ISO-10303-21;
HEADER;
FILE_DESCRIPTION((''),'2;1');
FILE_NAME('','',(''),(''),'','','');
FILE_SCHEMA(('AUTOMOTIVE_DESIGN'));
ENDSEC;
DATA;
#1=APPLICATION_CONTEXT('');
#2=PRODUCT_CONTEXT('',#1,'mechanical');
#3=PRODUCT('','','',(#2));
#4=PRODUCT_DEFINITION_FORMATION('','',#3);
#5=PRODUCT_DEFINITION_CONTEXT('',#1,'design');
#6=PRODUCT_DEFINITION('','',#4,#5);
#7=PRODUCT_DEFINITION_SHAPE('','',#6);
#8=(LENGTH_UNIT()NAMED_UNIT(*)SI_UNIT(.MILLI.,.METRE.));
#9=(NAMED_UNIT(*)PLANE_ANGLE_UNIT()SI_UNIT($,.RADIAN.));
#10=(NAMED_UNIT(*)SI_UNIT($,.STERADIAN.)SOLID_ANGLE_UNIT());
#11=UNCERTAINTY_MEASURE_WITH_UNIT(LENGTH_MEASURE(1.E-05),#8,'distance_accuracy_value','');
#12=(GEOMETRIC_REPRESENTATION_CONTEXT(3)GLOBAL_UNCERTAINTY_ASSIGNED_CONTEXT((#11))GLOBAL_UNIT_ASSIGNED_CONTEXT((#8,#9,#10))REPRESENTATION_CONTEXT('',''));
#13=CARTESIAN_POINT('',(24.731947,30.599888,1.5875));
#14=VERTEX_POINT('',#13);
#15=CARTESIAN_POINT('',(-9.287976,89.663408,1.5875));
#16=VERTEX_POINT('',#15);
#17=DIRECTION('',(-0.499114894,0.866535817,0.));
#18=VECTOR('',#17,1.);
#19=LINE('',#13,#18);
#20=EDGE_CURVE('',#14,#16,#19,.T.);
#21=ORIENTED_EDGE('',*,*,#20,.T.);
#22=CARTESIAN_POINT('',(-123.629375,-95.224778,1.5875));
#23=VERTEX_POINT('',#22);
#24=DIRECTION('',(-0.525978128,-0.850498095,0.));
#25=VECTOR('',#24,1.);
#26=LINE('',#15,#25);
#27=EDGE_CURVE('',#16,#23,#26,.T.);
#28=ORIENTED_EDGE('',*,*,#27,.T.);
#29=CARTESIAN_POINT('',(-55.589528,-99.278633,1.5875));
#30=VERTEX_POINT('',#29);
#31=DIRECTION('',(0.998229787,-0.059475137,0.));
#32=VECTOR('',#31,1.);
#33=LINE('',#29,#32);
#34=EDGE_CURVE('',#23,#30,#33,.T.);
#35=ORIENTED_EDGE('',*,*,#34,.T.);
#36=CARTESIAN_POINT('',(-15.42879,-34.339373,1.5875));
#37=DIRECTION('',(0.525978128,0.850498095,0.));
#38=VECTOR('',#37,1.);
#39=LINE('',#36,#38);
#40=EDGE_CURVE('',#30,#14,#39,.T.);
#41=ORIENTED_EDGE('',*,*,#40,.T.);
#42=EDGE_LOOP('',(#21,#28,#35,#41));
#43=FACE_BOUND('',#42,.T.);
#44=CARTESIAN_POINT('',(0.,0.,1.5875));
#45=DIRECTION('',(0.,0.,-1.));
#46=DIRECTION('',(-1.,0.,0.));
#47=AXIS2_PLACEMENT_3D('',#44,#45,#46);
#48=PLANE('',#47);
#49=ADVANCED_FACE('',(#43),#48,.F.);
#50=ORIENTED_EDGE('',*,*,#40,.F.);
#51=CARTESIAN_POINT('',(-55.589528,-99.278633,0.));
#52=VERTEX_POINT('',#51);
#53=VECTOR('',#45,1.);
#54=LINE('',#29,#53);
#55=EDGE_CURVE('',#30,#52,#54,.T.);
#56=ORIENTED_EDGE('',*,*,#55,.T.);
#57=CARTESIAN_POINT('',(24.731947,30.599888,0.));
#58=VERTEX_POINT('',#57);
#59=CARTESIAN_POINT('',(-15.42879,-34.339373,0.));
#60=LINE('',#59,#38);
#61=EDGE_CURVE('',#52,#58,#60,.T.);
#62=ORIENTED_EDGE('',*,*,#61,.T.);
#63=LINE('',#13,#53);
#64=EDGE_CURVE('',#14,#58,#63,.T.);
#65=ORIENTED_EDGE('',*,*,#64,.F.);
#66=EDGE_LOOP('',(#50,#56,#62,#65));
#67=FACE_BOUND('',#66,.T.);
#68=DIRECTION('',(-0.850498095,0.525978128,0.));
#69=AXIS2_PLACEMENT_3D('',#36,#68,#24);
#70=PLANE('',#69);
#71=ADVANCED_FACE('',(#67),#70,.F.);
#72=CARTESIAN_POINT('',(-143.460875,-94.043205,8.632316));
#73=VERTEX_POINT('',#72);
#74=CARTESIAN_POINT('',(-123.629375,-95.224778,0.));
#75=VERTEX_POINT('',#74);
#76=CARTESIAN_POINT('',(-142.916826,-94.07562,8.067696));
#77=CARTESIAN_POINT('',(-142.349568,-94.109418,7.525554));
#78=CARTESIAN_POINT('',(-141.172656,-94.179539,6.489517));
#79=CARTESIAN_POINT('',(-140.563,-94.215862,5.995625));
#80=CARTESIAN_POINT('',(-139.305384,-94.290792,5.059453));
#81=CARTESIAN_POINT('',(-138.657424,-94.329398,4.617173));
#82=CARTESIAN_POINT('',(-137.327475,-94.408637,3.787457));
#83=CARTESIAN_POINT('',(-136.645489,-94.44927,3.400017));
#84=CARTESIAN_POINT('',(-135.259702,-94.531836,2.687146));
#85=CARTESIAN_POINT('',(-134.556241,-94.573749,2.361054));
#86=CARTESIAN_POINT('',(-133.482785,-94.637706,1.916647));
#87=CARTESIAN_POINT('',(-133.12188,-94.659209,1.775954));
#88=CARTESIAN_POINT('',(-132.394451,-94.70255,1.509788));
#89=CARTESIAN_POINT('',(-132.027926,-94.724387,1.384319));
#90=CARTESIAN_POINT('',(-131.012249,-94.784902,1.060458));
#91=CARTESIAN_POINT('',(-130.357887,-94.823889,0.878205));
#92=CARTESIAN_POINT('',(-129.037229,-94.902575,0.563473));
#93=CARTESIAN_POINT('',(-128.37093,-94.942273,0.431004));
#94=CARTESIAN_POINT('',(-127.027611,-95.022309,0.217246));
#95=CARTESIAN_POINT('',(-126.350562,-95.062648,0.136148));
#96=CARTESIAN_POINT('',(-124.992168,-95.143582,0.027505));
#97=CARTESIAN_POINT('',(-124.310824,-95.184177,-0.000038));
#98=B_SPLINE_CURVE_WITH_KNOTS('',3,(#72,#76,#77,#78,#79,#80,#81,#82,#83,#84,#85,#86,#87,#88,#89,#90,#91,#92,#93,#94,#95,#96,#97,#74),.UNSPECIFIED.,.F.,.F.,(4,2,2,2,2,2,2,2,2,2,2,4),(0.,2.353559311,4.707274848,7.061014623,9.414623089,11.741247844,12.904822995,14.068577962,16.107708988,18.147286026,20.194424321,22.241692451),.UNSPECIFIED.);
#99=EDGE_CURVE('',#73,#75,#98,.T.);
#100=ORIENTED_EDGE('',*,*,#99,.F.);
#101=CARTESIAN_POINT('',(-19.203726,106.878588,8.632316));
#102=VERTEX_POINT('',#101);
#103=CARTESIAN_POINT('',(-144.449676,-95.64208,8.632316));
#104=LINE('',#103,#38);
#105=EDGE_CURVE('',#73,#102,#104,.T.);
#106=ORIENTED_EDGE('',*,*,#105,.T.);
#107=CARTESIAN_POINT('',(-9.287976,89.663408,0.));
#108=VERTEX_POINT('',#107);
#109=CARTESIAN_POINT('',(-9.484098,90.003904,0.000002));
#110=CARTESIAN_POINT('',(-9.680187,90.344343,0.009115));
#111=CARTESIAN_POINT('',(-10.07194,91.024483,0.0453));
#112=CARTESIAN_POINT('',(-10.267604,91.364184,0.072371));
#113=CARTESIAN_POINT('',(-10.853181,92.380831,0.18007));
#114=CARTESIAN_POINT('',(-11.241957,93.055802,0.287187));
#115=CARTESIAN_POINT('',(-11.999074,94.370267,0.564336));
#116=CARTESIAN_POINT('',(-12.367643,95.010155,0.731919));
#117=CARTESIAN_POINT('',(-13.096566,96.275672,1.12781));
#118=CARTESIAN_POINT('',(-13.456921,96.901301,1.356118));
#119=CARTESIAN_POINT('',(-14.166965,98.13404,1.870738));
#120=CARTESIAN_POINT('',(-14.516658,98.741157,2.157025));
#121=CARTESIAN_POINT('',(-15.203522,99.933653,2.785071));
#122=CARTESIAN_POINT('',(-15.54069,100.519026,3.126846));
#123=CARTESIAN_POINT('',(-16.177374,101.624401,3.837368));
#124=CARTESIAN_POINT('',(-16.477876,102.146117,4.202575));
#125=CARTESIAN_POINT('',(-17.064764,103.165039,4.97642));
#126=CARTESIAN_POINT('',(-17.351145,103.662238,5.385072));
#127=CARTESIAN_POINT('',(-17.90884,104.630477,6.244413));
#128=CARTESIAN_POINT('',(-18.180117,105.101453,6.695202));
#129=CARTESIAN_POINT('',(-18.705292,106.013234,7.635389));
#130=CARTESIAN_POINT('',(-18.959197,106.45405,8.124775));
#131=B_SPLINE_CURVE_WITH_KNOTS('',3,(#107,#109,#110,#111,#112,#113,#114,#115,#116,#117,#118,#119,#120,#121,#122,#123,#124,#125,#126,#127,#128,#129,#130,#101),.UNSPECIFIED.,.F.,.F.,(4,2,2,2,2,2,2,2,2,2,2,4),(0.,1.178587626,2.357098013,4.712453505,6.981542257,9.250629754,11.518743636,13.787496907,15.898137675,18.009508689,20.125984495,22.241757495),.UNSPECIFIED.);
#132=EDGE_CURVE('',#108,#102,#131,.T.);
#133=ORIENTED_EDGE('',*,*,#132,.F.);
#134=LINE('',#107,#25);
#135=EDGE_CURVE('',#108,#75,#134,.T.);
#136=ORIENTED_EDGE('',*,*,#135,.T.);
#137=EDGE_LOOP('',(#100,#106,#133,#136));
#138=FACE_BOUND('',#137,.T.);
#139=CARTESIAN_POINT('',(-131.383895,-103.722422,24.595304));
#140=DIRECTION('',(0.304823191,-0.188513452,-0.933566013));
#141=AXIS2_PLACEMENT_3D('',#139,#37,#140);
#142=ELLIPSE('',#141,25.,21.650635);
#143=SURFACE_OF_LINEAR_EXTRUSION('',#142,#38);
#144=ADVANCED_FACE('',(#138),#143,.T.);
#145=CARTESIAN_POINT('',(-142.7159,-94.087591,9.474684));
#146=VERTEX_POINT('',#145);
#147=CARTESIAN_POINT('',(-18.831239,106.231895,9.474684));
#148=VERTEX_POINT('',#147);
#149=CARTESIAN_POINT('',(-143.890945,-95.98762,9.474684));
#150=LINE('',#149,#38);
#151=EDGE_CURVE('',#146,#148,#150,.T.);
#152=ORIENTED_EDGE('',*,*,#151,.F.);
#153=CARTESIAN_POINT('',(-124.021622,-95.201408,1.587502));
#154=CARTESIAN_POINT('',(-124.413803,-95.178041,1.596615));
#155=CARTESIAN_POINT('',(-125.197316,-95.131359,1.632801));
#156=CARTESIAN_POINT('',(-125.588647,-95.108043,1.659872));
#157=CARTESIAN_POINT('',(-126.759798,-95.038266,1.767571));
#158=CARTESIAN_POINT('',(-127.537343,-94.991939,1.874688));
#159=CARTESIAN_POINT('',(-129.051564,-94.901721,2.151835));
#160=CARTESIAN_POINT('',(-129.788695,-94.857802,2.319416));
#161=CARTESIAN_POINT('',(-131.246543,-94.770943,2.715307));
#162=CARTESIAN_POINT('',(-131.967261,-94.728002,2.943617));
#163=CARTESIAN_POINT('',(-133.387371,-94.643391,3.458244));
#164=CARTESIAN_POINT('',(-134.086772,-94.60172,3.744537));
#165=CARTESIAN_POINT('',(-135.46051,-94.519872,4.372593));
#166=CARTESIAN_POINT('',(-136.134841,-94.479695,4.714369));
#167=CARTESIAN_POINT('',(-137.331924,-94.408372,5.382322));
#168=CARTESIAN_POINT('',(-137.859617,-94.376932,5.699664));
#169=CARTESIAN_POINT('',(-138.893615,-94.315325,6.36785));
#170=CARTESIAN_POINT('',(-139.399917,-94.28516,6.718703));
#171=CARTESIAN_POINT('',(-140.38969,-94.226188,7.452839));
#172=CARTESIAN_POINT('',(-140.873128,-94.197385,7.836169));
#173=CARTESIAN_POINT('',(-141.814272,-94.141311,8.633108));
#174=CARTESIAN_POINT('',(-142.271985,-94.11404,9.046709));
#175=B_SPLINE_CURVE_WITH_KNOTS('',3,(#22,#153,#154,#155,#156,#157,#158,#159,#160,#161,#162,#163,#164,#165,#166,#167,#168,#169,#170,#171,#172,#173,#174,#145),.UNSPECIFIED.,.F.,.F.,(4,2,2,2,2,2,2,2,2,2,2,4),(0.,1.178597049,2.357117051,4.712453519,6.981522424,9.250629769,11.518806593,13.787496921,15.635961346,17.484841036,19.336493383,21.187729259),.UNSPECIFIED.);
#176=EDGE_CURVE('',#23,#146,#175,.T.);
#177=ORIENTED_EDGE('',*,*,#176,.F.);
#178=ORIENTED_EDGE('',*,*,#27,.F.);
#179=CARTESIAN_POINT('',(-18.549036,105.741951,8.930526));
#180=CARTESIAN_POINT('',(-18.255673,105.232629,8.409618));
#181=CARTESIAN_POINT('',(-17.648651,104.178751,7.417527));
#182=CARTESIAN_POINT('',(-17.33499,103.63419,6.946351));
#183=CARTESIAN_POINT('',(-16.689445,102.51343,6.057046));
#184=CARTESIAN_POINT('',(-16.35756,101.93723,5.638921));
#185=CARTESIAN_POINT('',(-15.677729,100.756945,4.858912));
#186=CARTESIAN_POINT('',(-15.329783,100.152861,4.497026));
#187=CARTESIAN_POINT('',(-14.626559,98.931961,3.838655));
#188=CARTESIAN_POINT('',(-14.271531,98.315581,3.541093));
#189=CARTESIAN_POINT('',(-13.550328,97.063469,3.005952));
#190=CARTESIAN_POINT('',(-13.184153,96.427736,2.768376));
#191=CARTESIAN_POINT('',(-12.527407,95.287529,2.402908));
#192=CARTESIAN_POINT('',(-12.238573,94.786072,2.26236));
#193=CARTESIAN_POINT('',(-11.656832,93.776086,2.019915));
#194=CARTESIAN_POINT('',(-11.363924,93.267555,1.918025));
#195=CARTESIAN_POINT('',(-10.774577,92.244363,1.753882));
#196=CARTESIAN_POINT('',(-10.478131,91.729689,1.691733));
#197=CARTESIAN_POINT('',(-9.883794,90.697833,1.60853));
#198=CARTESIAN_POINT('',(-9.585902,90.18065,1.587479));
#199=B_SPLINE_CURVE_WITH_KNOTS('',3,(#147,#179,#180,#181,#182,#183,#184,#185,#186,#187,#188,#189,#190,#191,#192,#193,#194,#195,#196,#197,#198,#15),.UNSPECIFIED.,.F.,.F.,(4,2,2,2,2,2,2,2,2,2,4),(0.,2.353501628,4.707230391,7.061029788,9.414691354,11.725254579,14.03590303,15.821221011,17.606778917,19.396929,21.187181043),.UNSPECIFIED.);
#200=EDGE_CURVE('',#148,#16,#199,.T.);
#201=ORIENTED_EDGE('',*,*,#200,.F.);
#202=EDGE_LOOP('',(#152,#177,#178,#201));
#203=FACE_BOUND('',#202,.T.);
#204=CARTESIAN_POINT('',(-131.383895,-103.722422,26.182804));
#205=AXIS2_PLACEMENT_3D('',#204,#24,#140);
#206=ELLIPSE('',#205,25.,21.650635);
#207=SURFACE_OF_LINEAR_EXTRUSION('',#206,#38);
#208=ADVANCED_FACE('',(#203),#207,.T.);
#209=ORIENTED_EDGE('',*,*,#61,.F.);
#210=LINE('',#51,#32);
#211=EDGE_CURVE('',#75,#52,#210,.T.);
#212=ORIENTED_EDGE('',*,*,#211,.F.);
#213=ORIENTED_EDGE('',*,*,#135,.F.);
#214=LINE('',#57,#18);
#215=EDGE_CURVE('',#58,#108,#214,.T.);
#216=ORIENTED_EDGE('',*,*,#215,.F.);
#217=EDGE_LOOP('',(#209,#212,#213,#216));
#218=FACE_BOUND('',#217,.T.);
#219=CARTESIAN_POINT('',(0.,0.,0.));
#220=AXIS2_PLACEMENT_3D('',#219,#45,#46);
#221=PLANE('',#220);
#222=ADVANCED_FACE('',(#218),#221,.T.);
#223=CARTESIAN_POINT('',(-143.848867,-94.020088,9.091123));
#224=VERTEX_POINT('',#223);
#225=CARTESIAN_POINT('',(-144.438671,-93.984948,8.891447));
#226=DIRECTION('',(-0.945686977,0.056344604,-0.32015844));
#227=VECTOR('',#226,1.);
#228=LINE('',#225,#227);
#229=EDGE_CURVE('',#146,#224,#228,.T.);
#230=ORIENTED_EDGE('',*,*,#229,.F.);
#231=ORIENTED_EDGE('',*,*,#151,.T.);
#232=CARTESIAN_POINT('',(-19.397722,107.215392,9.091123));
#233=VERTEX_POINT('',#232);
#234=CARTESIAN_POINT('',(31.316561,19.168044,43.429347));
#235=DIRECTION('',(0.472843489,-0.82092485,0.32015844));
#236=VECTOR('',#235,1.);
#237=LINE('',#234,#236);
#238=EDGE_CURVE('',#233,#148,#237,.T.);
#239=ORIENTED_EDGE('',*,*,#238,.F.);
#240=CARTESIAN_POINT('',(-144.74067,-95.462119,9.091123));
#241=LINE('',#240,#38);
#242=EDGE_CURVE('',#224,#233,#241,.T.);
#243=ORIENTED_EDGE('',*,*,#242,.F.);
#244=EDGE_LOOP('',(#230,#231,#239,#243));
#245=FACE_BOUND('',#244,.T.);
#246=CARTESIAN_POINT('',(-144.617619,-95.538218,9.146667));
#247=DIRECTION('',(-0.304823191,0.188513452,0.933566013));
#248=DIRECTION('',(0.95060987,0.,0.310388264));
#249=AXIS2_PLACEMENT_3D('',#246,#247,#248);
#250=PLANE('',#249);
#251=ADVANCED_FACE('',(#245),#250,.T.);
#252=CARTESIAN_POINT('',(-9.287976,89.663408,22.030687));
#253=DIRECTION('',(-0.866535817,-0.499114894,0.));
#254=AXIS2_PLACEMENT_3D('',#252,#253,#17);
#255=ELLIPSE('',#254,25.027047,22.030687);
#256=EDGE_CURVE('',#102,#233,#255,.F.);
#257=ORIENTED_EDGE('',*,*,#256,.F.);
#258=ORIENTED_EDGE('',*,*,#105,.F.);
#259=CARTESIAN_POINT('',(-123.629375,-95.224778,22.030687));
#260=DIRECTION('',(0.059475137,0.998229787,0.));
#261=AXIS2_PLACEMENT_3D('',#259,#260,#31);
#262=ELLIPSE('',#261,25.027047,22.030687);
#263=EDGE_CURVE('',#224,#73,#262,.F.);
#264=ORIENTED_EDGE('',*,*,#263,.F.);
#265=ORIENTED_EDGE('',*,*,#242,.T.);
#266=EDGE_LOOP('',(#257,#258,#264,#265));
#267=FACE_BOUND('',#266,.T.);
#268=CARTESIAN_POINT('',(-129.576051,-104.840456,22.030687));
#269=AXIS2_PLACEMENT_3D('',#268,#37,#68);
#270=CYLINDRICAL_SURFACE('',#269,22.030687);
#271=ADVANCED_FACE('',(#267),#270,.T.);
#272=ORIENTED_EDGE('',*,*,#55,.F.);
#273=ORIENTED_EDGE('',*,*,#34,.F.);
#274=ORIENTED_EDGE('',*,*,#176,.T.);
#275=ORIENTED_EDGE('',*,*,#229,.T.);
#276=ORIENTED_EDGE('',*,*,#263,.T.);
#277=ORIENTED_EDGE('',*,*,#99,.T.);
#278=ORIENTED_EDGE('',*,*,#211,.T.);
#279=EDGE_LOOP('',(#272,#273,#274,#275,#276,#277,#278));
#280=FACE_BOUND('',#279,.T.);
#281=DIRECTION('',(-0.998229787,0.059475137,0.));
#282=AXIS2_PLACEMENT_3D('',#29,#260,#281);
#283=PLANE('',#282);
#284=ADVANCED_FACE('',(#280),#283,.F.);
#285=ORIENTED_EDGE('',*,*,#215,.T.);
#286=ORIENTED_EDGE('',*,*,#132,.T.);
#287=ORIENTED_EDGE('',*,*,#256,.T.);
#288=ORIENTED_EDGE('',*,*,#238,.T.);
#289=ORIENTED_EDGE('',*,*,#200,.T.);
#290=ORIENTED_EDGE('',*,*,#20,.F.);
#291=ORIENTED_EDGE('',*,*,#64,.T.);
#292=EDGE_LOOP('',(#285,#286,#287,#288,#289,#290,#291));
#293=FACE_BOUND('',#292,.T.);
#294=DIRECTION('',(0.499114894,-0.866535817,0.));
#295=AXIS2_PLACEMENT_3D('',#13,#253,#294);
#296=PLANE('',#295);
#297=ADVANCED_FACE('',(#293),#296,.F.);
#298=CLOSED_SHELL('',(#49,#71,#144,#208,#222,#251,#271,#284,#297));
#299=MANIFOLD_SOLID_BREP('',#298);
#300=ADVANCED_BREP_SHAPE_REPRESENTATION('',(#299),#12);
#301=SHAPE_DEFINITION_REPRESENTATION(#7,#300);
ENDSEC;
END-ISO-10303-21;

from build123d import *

# Parameters (mm, degrees)
BOSS_EXTRUDE1_DEPTH      = 1.5875
BOSS_EXTRUDE3_DEPTH      = 120
BOSS_EXTRUDE3_DEPTH_BACK = 120
CUT_EXTRUDE1_DEPTH       = 182.234838864


with BuildPart() as part:
    # Sketch1 → Boss-Extrude1 (new body)
    with BuildSketch(Plane.XY):
        Polygon((-55.589527783, -99.278633486), (-123.629375351, -95.224778061), (-9.287976323, 89.663408039), (24.731947461, 30.599888109), (-15.428790161, -34.339372689), align=None)
    extrude(amount=BOSS_EXTRUDE1_DEPTH)

    # Sketch4 → Boss-Extrude3 (add, two sides: drawn at the far end of the back side and taken through both)
    with BuildSketch(Plane(origin=(-19.629912529, -31.741249903, 0), x_dir=(0.8504980945941722, -0.5259781279594072, 0), z_dir=(0.5259781279594072, 0.8504980945941724, 0)).offset(-BOSS_EXTRUDE3_DEPTH_BACK)):
        with BuildLine():
            Line((-55.060397672, -1.5875), (-55.060397672, 0))
            add(Edge.make_bspline(
                [(-55.060397672, 0), (-65.213115138, 0), (-72.548531989, -8.632316441)],
                knots=[0.320978727, 0.320978727, 0.320978727, 1.185471829, 1.185471829, 1.185471829], degree=2, weights=[1, 0.908026935, 1]))
            ThreePointArc((-72.548531989, -8.632316441), (-72.721094469, -8.860608628), (-72.890676993, -9.091123051))
            Line((-72.890676993, -9.091123051), (-72.745996539, -9.14666735))
            Line((-72.745996539, -9.14666735), (-71.891585739, -9.474684354))
            add(Edge.make_bspline(
                [(-55.060397672, -1.5875), (-64.677105487, -1.5875), (-71.891585739, -9.474684354)],
                knots=[3.462571381, 3.462571381, 3.462571381, 4.286530008, 4.286530008, 4.286530008], degree=2, weights=[1, 0.916330054, 1]))
        make_face()
    extrude(amount=BOSS_EXTRUDE3_DEPTH + BOSS_EXTRUDE3_DEPTH_BACK)

    # Sketch5 → Cut-Extrude1 (cut, through all)
    with BuildSketch(Plane(origin=(0, 0, 0), x_dir=(-1, 0, 0), z_dir=(0, 0, -1))):
        Polygon((9.287976323, 89.663408039), (21.860519309, 111.491165443), (10.387842561, 118.099298331), (-2.424711001, 95.854847771), align=None)
        Polygon((123.629375351, -95.224778061), (148.774461323, -93.726618573), (149.561894462, -106.94288435), (123.936787337, -108.46964379), align=None)
    extrude(amount=-CUT_EXTRUDE1_DEPTH, mode=Mode.SUBTRACT)


solid = part.part
